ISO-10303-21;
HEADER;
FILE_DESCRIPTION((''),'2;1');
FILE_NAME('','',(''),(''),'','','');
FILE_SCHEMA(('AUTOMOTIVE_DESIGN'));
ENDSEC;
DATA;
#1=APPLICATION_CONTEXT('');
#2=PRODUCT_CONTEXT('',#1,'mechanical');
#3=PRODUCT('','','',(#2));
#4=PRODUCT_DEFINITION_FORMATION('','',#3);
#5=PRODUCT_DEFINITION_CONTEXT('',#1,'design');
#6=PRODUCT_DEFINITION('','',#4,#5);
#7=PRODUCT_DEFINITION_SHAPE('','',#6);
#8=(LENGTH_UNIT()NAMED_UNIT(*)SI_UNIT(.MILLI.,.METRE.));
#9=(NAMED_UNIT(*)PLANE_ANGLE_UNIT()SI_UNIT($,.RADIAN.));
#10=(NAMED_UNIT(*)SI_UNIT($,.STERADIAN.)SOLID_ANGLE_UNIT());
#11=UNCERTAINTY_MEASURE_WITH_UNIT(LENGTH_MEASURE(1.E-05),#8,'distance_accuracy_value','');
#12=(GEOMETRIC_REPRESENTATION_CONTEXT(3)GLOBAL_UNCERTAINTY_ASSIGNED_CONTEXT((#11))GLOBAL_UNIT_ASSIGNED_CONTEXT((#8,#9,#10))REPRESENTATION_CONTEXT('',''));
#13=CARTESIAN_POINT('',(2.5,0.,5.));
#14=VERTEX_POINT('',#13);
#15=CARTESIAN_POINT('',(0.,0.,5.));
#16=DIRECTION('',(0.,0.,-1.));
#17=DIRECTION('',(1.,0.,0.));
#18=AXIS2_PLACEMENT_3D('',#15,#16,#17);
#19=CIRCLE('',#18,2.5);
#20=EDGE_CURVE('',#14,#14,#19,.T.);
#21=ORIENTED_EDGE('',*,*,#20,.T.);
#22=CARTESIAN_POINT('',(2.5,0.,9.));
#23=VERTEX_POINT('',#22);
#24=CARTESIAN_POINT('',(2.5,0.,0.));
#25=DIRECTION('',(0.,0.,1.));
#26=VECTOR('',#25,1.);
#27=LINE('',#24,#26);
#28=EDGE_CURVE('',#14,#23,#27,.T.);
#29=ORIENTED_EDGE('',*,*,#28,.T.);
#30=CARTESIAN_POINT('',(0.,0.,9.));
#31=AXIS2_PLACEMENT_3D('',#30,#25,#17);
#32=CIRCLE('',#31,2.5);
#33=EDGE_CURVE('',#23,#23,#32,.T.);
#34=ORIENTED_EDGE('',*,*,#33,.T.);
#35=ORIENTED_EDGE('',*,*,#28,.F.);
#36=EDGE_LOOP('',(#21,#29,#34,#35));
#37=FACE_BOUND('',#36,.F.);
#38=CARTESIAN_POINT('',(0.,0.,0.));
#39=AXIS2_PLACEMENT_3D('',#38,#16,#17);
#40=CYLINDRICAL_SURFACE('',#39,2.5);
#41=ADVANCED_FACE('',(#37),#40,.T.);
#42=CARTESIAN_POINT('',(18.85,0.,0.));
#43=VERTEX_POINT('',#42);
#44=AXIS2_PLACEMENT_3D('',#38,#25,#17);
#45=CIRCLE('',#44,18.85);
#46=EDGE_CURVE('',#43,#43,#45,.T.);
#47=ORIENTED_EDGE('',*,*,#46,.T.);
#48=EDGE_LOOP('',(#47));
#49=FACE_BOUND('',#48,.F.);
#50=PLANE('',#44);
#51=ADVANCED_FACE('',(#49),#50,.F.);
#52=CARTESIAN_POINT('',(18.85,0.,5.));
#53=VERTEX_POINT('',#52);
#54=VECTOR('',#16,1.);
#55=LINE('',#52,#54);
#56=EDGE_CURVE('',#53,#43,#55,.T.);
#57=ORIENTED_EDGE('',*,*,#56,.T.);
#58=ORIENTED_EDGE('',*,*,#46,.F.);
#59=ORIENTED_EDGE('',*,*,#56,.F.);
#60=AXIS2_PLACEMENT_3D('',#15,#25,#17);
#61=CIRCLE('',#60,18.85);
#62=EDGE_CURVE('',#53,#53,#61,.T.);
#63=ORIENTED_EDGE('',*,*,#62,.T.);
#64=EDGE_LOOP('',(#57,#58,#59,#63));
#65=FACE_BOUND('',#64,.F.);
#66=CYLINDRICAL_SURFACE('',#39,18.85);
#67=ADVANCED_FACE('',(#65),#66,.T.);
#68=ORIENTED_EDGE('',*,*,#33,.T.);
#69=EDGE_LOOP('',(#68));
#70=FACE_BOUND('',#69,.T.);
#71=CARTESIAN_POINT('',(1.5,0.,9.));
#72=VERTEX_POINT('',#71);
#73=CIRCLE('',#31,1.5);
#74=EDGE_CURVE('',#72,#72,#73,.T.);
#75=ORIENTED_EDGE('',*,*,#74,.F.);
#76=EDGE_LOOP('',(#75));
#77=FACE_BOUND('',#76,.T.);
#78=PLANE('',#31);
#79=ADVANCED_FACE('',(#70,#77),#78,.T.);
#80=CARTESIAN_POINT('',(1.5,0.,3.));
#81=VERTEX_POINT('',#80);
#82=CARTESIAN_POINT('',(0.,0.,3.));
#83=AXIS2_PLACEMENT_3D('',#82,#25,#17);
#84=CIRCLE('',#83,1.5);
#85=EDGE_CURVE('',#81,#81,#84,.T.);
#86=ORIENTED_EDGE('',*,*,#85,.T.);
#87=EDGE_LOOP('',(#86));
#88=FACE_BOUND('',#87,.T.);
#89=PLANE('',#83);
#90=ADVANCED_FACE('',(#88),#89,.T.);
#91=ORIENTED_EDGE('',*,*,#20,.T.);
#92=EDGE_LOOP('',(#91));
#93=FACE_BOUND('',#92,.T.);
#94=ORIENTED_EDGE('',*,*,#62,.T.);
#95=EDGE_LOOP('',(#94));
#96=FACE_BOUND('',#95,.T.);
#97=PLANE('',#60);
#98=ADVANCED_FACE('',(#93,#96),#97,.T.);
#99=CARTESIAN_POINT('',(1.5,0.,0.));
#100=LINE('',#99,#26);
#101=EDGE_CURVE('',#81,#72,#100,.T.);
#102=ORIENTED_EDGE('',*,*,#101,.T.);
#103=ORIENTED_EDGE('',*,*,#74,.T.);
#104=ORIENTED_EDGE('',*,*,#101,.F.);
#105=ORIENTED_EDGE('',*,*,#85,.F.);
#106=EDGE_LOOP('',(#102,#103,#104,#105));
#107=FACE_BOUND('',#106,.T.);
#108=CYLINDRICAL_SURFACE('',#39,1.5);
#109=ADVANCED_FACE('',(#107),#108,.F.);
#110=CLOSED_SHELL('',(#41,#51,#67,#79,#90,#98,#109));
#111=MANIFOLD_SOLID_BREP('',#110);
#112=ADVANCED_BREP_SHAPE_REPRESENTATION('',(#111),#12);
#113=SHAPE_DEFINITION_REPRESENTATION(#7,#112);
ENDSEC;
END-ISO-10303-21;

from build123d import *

# Parameters (mm, degrees)
F0_R     = 18.85
F0_R_2   = 2.5
F0_R_3   = 1.5
F1_DEPTH = 5
F2_DEPTH = 9
F3_DEPTH = 3


with BuildPart() as f1:
    # F0 (on Top) → F1 (new body)
    with BuildSketch(Plane.XY):
        Circle(F0_R)
        Circle(F0_R_2, mode=Mode.SUBTRACT)
        Circle(F0_R_2)
        Circle(F0_R_3, mode=Mode.SUBTRACT)
    extrude(amount=F1_DEPTH)

    # F0 (on Top) → F2 (join)
    with BuildSketch(Plane.XY):
        Circle(F0_R_2)
        Circle(F0_R_3, mode=Mode.SUBTRACT)
    extrude(amount=F2_DEPTH)

    # F0 (on Top) → F3 (join)
    with BuildSketch(Plane.XY):
        Circle(F0_R)
        Circle(F0_R_2, mode=Mode.SUBTRACT)
        Circle(F0_R_3)
    extrude(amount=F3_DEPTH)


solid = f1.part
